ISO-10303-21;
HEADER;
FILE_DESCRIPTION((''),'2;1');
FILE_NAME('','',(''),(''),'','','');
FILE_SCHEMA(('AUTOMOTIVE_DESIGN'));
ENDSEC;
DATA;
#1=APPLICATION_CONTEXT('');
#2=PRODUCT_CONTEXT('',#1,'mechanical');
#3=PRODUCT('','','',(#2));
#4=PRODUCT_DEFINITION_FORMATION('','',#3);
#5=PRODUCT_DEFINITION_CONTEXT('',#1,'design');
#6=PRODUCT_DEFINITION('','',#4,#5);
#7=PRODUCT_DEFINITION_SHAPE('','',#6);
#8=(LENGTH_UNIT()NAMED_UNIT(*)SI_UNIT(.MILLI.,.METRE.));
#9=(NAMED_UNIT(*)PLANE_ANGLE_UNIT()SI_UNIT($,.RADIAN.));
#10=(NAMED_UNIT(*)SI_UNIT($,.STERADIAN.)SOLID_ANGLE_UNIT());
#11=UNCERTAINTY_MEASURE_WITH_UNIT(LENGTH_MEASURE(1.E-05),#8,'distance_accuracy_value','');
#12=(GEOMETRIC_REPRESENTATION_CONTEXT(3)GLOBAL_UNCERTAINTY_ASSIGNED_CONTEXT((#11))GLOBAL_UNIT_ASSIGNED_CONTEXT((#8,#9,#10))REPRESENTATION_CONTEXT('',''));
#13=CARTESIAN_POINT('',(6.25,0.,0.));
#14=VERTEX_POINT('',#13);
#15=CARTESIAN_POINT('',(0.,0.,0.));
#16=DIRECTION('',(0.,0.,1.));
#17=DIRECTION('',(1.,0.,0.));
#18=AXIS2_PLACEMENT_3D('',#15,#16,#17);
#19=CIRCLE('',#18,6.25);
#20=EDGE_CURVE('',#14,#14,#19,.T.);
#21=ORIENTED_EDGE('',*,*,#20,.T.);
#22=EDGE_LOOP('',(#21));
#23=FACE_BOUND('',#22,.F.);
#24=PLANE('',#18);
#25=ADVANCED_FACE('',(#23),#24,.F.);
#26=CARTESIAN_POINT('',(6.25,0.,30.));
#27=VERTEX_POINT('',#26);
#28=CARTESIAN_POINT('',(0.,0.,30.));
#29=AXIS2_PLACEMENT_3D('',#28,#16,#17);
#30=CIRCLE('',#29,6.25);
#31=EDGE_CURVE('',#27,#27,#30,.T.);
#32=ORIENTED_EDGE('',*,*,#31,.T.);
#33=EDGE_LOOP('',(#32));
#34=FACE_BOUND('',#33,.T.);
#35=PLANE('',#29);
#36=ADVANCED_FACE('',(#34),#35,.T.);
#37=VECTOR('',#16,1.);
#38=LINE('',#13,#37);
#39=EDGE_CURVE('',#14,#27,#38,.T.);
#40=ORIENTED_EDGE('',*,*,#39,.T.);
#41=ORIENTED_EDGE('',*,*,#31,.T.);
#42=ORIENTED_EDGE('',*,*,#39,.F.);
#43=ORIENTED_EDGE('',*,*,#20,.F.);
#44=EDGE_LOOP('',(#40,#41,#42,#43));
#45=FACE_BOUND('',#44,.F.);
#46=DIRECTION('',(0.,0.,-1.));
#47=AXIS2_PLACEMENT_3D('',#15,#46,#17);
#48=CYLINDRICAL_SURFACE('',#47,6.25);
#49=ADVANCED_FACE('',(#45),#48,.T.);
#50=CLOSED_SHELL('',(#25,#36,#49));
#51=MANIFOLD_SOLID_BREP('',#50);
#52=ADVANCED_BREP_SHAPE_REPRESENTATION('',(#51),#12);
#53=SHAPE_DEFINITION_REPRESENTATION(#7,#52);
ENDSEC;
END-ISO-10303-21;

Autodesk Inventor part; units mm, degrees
ref_plane "YZ Plane" through (0, 0, 0) normal (1, 0, 0) x (0, 1, 0)
ref_plane "XZ Plane" through (0, 0, 0) normal (0, 1, 0) x (-1, 0, 0)
ref_plane "XY Plane" through (0, 0, 0) normal (0, 0, 1) x (1, 0, 0)
sketch "Sketch1" plane through (0, 0, 0) normal (0, 0, 1) x (1, 0, 0)
  circle A0 centre (0, 0) radius 6.25
  dimension "d0" = 12.5
extrude "Extrusion1" add sketch "Sketch1" along normal blind 30
properties part number "3rd connector"
